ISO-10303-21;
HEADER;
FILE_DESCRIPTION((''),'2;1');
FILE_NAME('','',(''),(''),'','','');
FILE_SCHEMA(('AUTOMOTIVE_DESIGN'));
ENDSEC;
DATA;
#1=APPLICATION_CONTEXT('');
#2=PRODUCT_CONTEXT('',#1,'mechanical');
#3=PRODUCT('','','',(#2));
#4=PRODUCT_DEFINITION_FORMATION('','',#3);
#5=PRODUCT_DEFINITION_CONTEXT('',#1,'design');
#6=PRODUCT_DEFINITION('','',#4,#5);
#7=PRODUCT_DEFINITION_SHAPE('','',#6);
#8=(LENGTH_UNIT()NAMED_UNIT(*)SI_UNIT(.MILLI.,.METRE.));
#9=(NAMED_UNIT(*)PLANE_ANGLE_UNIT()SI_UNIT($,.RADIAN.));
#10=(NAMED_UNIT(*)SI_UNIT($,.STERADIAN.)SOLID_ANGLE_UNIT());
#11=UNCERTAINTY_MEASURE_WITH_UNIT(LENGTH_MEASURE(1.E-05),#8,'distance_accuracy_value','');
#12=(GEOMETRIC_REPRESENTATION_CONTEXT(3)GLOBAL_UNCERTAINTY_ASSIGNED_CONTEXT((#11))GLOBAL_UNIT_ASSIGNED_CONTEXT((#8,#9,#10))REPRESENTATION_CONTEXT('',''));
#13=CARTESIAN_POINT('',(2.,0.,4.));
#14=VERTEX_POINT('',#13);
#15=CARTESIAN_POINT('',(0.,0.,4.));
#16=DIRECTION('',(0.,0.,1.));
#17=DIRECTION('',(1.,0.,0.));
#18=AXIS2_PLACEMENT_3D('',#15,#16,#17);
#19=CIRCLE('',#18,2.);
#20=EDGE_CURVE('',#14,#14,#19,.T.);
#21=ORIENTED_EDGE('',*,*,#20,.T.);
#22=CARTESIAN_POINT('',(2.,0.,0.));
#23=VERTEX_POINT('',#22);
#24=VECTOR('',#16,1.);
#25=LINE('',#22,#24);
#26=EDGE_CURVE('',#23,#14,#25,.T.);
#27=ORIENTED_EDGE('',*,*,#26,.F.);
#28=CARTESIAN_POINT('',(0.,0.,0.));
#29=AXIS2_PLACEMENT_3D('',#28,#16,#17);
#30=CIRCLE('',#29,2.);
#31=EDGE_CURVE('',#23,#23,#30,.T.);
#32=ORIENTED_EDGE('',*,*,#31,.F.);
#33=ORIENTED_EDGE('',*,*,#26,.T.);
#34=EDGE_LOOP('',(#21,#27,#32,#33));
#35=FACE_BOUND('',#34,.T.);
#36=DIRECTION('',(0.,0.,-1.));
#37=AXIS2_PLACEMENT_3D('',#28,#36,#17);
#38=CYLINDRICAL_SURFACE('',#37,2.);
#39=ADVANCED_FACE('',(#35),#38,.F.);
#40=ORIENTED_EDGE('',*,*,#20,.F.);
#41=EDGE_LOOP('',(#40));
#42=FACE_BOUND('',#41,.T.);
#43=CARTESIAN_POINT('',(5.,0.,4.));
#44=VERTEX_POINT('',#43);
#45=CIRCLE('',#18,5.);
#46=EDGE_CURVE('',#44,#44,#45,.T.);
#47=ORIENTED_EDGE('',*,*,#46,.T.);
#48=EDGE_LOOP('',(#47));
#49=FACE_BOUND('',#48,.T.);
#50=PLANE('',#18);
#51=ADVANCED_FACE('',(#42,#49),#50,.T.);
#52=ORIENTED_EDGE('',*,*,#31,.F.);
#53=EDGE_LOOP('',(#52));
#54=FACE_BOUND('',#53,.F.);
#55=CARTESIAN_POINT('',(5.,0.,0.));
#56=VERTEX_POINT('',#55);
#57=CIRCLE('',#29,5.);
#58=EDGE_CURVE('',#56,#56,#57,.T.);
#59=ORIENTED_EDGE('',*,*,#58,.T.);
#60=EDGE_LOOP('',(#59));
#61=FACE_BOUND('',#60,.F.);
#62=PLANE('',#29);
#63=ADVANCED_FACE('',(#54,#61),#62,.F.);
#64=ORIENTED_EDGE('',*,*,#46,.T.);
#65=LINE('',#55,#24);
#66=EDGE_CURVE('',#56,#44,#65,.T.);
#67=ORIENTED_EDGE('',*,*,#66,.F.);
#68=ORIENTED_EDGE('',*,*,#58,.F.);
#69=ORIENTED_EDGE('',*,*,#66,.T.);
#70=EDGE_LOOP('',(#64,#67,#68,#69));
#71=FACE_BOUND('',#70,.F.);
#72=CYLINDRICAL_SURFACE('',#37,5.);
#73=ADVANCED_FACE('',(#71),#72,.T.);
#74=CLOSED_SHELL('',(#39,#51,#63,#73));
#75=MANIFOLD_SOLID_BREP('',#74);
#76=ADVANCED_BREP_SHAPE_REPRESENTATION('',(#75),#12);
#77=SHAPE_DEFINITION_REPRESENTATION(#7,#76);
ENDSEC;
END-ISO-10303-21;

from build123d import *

# Parameters (mm, degrees)
SKETCH_1_R      = 5
SKETCH_1_R_2    = 2
EXTRUDE_1_DEPTH = 4


with BuildPart() as part:
    # 草图1 → 凸台-拉伸1 (new body)
    with BuildSketch(Plane.XY):
        Circle(SKETCH_1_R)
        Circle(SKETCH_1_R_2, mode=Mode.SUBTRACT)
    extrude(amount=EXTRUDE_1_DEPTH)


solid = part.part
